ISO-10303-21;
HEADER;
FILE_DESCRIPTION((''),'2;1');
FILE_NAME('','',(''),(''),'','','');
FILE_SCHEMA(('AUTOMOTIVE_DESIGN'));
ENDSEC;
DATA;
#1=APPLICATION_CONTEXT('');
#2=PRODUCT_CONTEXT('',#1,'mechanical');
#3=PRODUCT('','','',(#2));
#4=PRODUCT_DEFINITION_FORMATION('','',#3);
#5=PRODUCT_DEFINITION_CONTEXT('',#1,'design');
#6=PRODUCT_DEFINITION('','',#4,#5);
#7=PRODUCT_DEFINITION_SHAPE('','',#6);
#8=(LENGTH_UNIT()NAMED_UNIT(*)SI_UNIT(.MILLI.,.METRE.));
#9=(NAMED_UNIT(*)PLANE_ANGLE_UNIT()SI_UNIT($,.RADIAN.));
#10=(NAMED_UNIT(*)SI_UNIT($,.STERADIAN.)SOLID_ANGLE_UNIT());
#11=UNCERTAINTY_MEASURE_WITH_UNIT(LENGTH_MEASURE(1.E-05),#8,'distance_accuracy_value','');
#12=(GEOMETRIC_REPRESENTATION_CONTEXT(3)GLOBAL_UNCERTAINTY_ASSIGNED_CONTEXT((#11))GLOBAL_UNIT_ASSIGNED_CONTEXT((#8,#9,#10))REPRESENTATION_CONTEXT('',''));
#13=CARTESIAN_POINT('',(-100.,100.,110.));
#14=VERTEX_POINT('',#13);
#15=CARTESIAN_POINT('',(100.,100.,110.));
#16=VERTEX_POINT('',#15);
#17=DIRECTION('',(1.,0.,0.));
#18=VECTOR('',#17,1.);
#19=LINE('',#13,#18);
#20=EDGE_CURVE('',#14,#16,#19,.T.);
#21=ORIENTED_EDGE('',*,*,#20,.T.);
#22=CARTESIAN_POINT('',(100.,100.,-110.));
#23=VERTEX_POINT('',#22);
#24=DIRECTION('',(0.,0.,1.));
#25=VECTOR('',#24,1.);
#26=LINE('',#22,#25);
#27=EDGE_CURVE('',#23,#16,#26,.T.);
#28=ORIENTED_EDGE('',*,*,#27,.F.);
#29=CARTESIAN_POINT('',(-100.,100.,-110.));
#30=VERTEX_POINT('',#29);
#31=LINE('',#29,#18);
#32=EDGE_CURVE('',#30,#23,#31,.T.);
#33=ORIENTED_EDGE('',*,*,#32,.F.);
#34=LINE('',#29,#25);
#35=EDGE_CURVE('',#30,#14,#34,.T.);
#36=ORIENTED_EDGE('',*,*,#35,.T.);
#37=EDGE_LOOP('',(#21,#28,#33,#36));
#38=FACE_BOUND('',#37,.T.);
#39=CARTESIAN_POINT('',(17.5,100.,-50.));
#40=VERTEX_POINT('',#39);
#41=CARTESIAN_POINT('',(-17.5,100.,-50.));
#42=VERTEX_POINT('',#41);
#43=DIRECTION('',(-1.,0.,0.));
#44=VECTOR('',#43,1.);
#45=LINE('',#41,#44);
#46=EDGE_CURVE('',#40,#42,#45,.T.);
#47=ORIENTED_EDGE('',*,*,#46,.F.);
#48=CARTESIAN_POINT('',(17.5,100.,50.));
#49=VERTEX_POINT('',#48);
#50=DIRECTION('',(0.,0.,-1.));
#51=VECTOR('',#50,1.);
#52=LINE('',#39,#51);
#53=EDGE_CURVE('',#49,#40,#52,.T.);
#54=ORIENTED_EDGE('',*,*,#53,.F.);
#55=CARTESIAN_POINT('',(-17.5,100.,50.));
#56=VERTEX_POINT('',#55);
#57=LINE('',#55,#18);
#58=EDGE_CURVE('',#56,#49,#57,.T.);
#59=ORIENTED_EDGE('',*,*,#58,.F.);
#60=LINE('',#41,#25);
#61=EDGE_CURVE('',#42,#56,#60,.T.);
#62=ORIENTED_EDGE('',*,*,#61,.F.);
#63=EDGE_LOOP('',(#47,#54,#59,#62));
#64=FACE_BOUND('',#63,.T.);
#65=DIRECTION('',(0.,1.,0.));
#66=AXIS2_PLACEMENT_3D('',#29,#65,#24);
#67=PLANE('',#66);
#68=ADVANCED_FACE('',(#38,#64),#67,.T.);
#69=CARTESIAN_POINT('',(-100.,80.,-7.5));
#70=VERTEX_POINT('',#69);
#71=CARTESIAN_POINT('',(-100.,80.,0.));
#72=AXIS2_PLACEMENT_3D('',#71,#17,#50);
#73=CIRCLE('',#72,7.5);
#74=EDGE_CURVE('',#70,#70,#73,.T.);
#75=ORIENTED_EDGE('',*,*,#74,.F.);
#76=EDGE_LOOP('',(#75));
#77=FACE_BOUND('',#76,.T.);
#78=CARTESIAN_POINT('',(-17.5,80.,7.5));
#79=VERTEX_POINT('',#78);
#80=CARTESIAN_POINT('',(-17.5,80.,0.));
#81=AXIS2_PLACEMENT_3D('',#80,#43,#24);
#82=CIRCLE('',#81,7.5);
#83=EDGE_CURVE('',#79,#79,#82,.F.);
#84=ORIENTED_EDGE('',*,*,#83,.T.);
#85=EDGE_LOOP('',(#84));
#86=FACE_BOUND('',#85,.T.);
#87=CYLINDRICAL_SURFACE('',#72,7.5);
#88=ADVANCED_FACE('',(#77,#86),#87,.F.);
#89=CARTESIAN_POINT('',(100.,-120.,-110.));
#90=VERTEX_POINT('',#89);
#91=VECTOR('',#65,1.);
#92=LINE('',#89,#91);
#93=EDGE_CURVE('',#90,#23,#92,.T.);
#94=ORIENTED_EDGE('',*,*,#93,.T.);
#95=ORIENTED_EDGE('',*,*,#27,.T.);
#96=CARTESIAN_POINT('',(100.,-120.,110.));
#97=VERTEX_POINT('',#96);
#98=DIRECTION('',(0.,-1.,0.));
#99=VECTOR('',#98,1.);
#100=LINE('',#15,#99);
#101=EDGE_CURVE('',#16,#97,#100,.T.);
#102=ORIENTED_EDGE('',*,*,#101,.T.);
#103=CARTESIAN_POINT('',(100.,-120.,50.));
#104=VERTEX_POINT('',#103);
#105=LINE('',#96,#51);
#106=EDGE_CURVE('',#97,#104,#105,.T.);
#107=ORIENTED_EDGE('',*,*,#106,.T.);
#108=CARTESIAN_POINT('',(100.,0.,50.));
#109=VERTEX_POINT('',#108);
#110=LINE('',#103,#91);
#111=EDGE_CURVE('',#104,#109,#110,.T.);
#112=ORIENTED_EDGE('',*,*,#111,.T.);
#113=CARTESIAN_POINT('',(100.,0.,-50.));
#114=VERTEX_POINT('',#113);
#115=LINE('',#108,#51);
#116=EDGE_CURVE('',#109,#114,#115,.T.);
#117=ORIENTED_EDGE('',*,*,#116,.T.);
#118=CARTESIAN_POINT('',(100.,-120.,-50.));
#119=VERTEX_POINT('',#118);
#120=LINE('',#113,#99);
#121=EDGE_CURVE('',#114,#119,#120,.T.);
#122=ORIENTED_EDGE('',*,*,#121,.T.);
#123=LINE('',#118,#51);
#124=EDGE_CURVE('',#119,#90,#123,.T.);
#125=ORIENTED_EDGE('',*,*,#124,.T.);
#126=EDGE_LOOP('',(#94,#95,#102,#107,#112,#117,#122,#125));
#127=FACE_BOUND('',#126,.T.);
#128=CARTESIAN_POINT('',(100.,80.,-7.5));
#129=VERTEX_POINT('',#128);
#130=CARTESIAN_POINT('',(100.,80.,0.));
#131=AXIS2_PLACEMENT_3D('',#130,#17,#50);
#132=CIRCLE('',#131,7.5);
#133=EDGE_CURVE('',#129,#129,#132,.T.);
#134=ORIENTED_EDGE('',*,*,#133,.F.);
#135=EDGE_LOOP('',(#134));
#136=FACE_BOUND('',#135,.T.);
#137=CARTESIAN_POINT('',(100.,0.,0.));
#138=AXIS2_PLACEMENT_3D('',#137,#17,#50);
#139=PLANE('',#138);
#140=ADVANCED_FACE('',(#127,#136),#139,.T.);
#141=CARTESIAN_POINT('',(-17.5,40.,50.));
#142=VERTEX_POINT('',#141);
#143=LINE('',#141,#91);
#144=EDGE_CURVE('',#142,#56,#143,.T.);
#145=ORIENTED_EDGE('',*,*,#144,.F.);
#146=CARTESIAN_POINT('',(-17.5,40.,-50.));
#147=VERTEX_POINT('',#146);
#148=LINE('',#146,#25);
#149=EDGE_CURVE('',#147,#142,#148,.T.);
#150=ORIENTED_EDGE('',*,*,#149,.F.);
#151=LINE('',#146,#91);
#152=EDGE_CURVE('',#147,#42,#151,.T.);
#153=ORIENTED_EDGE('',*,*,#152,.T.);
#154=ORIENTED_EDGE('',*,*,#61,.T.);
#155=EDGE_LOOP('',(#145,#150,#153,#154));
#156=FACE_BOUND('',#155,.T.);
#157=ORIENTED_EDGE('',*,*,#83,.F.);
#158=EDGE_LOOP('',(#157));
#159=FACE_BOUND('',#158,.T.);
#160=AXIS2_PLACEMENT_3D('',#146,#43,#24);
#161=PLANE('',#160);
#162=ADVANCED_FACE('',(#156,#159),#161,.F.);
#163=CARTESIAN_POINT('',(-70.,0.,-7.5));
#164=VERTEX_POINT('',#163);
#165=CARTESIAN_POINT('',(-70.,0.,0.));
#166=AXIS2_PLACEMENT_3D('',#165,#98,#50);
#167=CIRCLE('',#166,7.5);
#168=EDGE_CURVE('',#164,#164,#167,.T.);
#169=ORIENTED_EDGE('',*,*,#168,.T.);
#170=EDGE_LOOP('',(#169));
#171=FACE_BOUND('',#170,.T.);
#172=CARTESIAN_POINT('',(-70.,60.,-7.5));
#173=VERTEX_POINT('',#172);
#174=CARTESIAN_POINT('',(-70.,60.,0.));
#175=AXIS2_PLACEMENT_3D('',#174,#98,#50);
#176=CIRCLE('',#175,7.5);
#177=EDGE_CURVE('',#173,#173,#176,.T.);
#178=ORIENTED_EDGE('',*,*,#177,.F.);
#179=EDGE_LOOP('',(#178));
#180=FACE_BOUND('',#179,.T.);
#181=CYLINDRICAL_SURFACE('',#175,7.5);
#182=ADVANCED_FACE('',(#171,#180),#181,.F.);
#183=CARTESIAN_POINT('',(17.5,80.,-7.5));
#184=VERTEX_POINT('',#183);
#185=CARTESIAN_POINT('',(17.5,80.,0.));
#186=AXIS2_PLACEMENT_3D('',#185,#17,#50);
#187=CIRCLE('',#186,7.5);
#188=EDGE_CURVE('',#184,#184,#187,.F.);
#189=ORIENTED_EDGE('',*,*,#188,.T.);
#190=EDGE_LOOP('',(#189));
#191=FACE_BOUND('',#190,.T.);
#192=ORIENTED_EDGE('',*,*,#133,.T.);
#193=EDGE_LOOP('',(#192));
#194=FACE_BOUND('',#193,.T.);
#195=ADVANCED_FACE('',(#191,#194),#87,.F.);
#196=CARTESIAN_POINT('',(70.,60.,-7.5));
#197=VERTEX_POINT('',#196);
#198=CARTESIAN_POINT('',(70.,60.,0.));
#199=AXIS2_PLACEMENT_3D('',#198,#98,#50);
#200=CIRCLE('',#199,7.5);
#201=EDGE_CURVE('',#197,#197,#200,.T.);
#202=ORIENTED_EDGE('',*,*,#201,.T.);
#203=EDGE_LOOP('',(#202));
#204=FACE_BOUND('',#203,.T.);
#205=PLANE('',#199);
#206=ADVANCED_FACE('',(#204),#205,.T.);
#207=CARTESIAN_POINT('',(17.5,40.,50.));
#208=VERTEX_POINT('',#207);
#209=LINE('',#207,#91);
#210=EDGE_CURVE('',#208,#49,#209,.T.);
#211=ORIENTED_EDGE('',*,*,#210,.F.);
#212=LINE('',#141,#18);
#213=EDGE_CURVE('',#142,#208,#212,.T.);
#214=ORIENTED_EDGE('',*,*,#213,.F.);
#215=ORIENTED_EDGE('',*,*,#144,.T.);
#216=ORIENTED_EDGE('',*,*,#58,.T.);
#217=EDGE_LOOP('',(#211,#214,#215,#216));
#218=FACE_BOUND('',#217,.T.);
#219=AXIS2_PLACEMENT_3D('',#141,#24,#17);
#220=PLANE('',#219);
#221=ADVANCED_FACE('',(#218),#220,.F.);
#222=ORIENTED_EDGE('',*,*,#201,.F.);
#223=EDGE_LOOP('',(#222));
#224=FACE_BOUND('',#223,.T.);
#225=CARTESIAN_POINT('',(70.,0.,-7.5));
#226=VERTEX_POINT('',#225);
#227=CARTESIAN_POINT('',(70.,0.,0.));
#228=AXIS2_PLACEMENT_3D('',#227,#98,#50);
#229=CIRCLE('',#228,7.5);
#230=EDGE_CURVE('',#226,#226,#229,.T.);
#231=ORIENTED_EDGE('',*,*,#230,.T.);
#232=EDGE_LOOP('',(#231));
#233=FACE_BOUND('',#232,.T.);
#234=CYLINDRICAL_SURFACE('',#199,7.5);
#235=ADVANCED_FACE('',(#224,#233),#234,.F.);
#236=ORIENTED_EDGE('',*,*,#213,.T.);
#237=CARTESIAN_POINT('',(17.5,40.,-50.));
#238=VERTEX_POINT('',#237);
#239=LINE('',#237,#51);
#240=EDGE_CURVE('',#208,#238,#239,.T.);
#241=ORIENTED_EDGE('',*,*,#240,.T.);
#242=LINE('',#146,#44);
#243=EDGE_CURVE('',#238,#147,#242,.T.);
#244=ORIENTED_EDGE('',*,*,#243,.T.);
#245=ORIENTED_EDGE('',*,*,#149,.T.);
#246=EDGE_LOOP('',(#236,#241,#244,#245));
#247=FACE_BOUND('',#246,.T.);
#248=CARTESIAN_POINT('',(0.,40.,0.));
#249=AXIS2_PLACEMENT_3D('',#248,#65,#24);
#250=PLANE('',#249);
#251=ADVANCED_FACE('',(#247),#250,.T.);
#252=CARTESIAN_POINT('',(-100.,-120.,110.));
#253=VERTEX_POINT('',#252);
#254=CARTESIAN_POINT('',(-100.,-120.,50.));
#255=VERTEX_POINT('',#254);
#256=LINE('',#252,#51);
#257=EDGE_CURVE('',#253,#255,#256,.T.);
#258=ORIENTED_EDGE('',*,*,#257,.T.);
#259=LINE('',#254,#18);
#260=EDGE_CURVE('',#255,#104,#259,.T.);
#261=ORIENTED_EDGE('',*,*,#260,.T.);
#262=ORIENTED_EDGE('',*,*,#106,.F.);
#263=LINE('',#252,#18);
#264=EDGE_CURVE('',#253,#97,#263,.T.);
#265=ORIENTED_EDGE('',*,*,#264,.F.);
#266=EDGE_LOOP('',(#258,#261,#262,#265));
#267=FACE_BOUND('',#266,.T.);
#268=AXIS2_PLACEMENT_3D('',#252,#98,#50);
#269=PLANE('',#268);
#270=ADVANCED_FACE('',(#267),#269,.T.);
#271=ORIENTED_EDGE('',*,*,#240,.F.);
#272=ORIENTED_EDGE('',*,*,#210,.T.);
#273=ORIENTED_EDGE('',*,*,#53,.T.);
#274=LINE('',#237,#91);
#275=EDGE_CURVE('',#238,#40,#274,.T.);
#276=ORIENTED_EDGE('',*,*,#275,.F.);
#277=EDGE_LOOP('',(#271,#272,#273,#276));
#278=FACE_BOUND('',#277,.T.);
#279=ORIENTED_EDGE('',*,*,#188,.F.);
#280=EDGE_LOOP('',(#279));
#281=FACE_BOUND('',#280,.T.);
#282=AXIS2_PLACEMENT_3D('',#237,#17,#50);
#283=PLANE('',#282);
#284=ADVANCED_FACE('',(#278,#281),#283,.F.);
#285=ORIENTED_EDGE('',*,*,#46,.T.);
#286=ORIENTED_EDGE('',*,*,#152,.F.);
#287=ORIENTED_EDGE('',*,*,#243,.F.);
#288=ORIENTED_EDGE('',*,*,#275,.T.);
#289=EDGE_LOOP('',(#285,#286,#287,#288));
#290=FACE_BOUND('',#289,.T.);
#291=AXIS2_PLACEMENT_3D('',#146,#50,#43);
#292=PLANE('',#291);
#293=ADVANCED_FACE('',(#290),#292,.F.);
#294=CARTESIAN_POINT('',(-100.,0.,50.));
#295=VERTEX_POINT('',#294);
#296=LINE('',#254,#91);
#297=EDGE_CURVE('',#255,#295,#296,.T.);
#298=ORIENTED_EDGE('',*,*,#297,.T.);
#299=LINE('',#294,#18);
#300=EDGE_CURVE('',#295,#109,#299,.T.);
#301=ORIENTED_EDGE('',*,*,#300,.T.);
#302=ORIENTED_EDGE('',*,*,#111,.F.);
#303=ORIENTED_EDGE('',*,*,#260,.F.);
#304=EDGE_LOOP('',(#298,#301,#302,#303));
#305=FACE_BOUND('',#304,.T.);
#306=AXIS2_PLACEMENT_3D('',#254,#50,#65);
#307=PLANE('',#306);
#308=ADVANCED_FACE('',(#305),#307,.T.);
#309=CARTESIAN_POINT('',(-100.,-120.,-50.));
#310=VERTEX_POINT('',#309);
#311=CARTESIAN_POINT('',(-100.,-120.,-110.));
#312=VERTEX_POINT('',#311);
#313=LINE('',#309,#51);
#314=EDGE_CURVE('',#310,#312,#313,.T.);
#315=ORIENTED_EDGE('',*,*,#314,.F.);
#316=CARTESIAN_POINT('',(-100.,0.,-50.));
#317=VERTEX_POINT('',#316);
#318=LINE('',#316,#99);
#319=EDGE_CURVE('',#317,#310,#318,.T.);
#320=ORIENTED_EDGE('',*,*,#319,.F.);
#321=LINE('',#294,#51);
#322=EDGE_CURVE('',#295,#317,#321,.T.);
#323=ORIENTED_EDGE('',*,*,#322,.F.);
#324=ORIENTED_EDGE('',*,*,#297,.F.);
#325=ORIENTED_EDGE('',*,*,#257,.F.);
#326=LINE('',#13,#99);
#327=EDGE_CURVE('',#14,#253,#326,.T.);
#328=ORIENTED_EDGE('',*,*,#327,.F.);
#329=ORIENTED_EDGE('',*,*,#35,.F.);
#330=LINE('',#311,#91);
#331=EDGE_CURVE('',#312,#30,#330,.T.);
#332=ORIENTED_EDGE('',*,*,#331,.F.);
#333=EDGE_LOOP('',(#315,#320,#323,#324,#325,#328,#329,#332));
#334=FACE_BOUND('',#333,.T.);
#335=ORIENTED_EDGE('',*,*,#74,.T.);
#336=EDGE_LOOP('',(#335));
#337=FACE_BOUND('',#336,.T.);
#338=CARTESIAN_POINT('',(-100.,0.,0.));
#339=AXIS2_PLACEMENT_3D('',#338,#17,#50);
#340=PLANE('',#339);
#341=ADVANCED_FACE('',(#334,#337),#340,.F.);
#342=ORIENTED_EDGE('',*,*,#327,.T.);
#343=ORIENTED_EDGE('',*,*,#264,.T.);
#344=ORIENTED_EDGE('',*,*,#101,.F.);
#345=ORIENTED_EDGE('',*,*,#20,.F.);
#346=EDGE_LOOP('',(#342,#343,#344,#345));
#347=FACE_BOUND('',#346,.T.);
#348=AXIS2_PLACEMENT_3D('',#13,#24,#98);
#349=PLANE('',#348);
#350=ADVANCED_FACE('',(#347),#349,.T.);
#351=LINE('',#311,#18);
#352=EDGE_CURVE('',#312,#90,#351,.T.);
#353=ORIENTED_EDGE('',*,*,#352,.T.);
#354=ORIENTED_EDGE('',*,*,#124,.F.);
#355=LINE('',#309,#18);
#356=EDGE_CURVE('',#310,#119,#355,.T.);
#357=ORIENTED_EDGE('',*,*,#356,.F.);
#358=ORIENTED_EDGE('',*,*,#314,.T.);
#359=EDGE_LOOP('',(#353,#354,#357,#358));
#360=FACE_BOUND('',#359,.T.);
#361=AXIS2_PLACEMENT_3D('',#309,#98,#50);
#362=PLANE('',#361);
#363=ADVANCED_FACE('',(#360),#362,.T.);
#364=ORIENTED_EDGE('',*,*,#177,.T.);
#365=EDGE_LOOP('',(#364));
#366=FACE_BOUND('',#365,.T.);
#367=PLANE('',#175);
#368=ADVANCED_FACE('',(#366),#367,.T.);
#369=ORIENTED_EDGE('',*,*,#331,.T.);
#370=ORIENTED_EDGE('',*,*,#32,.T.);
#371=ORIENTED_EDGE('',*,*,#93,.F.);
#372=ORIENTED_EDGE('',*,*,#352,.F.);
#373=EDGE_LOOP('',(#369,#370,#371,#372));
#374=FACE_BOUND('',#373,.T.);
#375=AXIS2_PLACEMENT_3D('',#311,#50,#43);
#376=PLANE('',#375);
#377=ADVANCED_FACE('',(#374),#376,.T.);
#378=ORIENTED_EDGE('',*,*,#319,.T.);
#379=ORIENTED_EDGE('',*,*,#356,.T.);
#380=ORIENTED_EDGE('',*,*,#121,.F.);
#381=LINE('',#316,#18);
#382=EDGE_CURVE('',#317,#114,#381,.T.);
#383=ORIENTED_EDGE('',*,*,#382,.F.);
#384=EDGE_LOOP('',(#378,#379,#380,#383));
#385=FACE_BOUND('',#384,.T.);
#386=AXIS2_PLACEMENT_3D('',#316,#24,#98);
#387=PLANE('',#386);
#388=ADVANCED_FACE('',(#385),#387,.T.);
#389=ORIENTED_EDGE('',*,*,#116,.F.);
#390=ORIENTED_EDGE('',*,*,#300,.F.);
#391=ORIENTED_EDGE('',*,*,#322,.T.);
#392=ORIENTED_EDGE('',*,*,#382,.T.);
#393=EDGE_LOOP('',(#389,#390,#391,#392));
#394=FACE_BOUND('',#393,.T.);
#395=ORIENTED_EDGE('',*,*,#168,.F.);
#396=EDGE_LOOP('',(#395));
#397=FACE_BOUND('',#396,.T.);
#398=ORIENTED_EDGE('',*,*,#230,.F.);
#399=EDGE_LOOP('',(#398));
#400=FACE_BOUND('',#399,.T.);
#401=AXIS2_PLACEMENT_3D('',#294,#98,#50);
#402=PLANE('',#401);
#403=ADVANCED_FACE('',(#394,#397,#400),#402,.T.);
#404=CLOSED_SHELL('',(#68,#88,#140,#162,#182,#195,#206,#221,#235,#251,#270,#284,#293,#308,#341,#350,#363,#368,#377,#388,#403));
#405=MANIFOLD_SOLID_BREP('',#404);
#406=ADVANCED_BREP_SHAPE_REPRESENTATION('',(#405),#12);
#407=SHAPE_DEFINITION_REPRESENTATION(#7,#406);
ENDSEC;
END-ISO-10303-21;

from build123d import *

# Parameters (mm, degrees)
BOSS_EXTRUDE2_DEPTH      = 100
BOSS_EXTRUDE2_DEPTH_BACK = 100
SKETCH3_R                = 7.5
SKETCH4_W                = 35
SKETCH4_H                = 100
CUT_EXTRUDE1_DEPTH       = 60
SKETCH5_R                = 7.5
CUT_EXTRUDE2_DEPTH       = 60


with BuildPart() as part:
    # Sketch3 → Boss-Extrude2 (new, two sides: drawn at the far end of the back side and taken through both)
    with BuildSketch(Plane(origin=(0, 0, 0), x_dir=(0, 0, -1), z_dir=(1, 0, 0)).offset(-BOSS_EXTRUDE2_DEPTH_BACK)):
        Polygon((-110, -120), (-50, -120), (-50, 0), (50, 0), (50, -120), (110, -120), (110, 100), (-110, 100), align=None)
        with Locations((0, 80)):
            Circle(SKETCH3_R, mode=Mode.SUBTRACT)
    extrude(amount=BOSS_EXTRUDE2_DEPTH + BOSS_EXTRUDE2_DEPTH_BACK)

    # Sketch4 → Cut-Extrude1 (cut)
    with BuildSketch(Plane(origin=(0, 100, 0), x_dir=(1, 0, 0), z_dir=(0, 1, 0))):
        Rectangle(SKETCH4_W, SKETCH4_H)
    extrude(amount=-CUT_EXTRUDE1_DEPTH, mode=Mode.SUBTRACT)

    # Sketch5 → Cut-Extrude2 (cut)
    with BuildSketch(Plane.XZ):
        with Locations((-70, 0)):
            Circle(SKETCH5_R)
        with Locations((70, 0)):
            Circle(SKETCH5_R)
    extrude(amount=-CUT_EXTRUDE2_DEPTH, mode=Mode.SUBTRACT)


solid = part.part
